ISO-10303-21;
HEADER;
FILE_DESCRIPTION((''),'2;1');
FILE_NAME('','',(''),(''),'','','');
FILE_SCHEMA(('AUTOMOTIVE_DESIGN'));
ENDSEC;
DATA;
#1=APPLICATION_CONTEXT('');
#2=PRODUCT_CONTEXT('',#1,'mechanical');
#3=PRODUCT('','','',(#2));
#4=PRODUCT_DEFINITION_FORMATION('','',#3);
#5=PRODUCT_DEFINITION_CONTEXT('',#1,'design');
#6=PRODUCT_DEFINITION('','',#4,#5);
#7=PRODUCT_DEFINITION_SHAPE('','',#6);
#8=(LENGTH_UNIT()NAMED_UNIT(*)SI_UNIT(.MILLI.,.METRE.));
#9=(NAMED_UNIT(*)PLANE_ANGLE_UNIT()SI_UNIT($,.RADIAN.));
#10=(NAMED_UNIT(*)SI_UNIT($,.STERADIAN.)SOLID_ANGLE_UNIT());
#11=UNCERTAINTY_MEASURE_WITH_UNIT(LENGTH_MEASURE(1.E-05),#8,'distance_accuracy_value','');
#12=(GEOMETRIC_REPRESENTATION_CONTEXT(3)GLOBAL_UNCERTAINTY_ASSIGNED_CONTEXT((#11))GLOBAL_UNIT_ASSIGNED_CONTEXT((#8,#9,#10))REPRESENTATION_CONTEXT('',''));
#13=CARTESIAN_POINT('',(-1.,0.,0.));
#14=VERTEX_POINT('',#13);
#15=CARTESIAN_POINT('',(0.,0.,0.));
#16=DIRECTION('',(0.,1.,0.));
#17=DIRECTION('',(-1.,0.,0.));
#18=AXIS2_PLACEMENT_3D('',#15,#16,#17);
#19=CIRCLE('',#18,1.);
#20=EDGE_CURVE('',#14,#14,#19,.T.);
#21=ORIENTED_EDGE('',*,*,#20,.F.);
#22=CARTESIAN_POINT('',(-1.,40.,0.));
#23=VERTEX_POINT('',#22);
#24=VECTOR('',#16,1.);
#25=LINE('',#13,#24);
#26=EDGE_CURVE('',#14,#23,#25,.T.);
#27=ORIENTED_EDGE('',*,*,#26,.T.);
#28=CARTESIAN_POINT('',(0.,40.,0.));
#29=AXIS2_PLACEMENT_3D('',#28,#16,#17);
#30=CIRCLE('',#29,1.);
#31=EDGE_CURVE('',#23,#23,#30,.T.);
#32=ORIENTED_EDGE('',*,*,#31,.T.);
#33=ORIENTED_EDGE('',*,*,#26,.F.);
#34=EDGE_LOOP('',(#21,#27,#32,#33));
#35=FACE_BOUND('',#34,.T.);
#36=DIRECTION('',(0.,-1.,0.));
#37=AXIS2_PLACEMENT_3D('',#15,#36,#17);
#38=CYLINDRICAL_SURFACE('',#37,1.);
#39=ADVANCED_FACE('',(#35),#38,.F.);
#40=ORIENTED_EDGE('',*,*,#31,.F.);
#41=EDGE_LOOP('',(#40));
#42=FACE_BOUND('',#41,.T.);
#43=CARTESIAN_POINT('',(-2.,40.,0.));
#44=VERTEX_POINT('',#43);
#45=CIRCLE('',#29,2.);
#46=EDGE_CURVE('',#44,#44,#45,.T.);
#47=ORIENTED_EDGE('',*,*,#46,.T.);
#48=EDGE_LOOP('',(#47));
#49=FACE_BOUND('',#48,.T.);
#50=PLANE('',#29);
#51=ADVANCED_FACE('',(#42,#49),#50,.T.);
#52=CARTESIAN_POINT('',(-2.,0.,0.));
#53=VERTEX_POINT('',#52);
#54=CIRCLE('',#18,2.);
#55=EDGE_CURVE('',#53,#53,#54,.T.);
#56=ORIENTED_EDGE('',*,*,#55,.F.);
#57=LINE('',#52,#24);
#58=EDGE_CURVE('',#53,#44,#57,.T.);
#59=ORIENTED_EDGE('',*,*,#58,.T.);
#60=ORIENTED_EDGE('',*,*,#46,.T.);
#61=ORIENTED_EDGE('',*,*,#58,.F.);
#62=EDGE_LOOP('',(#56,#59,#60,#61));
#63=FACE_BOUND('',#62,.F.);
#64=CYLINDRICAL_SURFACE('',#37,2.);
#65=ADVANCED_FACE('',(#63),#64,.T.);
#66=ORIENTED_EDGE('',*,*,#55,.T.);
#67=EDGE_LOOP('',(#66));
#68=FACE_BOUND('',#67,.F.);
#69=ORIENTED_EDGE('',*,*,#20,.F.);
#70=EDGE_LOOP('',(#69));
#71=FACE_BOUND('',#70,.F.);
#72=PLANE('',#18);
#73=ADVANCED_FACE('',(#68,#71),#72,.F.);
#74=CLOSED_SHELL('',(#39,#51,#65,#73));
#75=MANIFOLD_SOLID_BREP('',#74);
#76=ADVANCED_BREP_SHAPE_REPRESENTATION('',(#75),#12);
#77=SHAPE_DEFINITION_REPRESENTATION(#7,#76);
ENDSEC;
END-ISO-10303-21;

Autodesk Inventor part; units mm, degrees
ref_plane "YZ Plane" through (0, 0, 0) normal (1, 0, 0) x (0, 1, 0)
ref_plane "XZ Plane" through (0, 0, 0) normal (0, 1, 0) x (-1, 0, 0)
ref_plane "XY Plane" through (0, 0, 0) normal (0, 0, 1) x (1, 0, 0)
sketch "Sketch1" plane through (0, 0, 0) normal (0, 1, 0) x (-1, 0, 0)
  circle A0 centre (0, 0) radius 1
  circle A1 centre (0, 0) radius 2
  dimension "d0" = 2
  dimension "d1" = 4
extrude "Extrusion1" add sketch "Sketch1" along normal blind 40
properties part number "Teflon Placeholder" material "UHMW, White"
